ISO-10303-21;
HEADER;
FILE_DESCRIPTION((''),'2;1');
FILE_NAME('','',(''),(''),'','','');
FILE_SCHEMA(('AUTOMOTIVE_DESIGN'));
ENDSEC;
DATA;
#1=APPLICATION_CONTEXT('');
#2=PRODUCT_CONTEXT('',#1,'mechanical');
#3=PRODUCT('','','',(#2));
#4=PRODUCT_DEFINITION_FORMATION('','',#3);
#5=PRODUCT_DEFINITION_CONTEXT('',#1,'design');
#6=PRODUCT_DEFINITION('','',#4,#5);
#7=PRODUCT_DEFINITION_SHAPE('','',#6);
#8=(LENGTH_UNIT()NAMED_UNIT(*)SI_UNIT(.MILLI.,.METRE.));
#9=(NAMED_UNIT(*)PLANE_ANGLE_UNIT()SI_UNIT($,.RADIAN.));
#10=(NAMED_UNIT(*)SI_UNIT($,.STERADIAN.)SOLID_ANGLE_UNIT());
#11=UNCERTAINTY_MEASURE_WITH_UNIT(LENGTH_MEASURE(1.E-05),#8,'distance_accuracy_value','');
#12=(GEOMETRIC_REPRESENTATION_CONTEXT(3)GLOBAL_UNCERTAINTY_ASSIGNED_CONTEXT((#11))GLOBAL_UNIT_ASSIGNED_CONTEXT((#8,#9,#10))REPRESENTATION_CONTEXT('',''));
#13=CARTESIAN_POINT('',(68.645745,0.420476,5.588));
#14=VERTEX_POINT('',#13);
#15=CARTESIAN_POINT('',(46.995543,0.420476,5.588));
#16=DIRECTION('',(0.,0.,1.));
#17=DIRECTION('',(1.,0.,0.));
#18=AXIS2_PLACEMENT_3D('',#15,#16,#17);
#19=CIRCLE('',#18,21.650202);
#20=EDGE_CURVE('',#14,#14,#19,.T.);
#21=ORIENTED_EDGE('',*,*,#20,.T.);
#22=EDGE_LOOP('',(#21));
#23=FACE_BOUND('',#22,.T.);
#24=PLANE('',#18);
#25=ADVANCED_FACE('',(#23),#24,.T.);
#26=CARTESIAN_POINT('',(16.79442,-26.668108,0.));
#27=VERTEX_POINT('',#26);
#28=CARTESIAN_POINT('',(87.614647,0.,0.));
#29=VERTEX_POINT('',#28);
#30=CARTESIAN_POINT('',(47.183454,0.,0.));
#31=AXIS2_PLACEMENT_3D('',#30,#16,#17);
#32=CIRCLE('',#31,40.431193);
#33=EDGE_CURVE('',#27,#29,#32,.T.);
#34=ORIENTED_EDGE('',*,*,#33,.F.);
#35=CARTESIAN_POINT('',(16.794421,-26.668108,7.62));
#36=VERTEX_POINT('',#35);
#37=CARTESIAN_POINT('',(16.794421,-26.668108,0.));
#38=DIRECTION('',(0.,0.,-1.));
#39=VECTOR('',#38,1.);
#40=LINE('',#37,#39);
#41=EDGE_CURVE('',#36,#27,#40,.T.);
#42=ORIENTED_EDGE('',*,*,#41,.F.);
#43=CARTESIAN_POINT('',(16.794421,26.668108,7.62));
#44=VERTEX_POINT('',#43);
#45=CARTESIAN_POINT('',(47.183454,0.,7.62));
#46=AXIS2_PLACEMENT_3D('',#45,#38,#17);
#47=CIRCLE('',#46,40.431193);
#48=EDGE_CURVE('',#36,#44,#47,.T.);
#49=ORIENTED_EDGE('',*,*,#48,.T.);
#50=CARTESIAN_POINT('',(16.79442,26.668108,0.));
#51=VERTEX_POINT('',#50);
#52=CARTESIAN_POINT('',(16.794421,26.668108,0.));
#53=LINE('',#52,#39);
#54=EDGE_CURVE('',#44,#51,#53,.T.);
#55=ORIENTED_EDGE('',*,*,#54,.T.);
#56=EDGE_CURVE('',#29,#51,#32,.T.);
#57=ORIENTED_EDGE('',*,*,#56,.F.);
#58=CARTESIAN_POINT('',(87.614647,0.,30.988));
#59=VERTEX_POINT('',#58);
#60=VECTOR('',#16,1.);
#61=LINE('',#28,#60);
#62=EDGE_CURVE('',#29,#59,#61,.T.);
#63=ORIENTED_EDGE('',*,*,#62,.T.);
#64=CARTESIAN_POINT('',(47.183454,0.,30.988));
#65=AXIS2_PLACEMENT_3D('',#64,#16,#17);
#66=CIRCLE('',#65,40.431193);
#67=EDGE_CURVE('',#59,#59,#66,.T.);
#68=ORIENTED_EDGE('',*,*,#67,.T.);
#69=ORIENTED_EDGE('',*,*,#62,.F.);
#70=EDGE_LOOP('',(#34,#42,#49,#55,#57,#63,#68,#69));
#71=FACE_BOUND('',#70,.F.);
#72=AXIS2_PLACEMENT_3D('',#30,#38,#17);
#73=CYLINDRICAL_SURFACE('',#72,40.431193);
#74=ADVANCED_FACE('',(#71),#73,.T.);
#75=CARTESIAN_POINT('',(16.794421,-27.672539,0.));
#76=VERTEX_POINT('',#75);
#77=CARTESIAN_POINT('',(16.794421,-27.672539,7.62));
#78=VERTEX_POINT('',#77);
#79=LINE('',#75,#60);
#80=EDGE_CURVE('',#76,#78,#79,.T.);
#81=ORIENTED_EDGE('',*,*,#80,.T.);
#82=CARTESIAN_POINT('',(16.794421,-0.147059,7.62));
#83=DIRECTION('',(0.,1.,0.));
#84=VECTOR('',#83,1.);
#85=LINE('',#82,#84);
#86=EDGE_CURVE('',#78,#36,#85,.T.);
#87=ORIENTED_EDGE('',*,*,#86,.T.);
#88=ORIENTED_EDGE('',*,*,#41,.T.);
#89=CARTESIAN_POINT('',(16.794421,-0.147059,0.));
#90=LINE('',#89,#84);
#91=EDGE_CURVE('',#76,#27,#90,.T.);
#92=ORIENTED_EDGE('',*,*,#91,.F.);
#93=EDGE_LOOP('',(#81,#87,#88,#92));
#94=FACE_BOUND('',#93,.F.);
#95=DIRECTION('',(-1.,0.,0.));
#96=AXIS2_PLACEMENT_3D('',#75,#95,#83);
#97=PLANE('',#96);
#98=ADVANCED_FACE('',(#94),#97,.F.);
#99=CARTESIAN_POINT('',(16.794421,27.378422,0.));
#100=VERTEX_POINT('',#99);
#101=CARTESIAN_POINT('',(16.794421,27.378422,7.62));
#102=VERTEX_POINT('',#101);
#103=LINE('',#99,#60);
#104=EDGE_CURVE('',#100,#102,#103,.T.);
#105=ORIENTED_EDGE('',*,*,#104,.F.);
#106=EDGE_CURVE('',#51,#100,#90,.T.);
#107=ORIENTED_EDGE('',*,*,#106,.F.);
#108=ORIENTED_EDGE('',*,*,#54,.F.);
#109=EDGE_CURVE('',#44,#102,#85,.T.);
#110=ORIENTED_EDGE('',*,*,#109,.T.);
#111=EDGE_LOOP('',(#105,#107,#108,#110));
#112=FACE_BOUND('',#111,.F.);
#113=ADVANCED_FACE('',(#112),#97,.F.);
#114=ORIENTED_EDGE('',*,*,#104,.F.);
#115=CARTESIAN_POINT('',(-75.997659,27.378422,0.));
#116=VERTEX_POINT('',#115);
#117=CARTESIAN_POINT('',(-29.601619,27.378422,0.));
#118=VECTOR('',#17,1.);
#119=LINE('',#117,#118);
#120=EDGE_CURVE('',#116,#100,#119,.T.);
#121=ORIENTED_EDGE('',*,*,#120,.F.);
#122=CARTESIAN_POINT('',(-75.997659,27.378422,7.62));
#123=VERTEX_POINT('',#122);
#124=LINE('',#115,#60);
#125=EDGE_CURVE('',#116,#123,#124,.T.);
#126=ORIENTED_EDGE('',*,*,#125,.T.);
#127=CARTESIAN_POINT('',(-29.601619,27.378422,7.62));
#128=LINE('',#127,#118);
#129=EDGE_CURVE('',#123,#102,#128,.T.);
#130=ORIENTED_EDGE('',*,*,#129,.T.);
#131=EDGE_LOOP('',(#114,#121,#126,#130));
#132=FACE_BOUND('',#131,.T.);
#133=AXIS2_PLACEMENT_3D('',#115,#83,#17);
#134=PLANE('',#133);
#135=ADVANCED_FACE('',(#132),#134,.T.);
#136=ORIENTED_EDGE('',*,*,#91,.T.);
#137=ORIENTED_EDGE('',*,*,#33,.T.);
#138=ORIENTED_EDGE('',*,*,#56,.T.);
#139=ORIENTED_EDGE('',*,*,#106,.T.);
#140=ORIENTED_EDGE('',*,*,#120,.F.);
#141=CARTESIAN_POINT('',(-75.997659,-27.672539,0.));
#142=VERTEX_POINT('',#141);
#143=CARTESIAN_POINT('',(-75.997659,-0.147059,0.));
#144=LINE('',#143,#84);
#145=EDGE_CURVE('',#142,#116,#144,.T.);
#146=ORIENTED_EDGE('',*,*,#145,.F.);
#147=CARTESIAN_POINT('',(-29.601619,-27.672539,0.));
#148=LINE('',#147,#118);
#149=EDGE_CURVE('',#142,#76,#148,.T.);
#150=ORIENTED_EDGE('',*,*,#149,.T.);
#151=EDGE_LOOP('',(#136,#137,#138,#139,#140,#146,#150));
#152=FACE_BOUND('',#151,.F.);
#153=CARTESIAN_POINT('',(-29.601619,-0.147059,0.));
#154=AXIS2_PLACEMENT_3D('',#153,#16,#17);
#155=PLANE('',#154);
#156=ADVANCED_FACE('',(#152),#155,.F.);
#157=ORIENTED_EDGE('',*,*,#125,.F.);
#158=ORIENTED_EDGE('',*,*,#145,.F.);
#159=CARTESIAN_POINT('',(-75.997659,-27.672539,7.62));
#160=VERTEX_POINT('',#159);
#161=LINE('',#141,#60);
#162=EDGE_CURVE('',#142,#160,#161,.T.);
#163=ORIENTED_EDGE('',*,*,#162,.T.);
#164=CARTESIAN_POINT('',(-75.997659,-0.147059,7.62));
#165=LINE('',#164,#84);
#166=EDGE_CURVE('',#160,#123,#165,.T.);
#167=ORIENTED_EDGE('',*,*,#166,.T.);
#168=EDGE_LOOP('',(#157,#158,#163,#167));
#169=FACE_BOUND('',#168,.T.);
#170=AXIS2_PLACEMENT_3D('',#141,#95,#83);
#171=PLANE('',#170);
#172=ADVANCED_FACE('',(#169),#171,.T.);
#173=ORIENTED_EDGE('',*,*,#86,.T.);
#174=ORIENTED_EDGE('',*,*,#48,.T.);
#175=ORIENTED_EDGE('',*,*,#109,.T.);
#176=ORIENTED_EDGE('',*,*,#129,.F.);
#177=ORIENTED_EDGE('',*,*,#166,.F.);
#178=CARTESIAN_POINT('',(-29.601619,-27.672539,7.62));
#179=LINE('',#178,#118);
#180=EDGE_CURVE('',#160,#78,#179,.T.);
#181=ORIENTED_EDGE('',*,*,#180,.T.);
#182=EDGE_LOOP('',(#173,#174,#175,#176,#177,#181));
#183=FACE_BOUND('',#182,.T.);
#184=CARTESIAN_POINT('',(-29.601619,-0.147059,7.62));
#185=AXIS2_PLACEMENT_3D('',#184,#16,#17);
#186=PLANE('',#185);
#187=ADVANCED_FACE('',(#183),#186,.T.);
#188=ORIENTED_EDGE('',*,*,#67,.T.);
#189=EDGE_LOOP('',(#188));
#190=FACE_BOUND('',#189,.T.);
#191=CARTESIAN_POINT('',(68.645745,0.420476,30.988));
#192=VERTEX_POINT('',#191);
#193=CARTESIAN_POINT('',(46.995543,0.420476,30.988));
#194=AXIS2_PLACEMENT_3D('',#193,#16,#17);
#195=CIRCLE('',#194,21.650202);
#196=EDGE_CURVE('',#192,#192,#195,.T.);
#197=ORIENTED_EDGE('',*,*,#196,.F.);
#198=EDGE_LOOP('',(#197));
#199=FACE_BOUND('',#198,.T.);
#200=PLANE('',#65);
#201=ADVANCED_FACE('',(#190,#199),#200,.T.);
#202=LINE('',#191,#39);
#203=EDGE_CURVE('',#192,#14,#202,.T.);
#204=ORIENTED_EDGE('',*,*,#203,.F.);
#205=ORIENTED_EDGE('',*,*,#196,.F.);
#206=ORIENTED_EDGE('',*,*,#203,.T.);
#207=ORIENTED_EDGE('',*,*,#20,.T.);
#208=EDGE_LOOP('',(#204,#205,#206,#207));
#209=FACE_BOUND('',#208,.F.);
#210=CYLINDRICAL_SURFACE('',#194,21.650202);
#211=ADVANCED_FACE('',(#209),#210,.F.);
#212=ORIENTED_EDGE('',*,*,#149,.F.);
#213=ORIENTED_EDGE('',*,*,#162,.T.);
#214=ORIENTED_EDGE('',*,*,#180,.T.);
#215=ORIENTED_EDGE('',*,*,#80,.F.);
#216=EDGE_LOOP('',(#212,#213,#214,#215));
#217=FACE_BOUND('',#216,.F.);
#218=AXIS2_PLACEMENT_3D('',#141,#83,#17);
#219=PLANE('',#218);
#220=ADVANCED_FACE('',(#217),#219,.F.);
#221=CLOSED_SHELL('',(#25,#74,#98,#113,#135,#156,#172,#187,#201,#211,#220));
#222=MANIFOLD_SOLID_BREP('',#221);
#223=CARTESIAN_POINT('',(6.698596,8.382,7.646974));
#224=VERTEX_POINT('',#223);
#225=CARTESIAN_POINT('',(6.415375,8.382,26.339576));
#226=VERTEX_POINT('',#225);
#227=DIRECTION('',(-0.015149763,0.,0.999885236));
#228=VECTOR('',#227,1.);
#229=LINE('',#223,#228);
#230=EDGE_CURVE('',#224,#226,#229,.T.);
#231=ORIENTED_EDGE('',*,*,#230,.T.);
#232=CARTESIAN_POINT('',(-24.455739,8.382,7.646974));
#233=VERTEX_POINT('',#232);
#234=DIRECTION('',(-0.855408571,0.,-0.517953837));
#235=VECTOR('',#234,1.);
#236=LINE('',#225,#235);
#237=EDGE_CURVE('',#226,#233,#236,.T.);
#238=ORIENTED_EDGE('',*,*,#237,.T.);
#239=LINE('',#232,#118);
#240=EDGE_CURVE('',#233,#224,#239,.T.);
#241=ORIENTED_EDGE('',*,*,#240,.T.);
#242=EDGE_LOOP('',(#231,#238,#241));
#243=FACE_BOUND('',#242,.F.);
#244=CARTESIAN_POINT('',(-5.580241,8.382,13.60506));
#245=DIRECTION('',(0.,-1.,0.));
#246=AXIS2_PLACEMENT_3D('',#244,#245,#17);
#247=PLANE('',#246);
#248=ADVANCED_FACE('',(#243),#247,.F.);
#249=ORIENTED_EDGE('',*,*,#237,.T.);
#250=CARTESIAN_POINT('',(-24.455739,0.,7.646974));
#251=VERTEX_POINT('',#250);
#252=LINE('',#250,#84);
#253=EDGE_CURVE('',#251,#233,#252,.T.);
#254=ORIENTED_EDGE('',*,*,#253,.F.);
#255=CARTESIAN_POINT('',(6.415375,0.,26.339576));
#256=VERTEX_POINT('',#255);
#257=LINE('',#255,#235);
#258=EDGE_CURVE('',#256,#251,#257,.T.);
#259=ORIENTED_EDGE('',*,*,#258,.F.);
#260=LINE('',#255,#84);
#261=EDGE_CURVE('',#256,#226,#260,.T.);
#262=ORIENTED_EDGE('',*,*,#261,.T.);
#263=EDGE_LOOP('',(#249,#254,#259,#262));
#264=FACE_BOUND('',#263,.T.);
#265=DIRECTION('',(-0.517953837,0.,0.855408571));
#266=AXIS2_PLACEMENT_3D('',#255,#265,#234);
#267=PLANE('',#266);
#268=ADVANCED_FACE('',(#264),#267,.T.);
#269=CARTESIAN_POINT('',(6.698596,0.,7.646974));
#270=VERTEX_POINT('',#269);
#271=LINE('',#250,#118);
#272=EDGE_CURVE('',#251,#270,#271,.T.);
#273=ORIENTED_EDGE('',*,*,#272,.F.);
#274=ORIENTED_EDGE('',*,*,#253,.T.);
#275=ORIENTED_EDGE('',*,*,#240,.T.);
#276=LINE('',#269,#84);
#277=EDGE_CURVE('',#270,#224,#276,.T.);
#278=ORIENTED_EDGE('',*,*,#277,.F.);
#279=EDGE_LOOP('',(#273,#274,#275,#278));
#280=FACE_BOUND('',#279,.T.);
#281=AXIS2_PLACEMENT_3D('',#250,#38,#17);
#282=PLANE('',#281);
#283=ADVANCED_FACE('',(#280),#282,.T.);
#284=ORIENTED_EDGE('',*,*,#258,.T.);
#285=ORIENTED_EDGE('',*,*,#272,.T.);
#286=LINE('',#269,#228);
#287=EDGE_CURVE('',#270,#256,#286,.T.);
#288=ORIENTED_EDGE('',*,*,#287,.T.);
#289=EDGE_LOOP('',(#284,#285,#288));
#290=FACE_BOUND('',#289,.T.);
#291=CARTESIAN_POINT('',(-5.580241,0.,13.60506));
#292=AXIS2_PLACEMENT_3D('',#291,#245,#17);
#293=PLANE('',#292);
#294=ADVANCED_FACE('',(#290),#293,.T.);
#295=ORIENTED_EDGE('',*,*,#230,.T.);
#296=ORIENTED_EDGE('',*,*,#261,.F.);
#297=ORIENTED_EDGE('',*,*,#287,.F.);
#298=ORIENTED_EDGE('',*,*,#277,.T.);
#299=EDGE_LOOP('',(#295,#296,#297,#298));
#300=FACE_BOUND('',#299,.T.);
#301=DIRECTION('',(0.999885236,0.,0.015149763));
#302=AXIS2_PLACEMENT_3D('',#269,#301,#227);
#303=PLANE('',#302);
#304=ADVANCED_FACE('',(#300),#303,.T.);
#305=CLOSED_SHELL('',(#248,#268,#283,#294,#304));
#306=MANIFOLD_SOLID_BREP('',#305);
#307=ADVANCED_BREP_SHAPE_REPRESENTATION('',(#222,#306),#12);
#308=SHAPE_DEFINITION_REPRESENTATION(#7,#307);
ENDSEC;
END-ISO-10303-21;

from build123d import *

# Parameters (mm, degrees)
F0_R     = 40.431193
F1_DEPTH = 30.988
F2_W     = 92.792079
F2_H     = 55.050961
F3_DEPTH = 7.62
F4_R     = 21.650202
F5_DEPTH = 25.4
F7_DEPTH = 8.382


with BuildPart() as f1:
    # F0 (on Top) → F1 (new body)
    with BuildSketch(Plane.XY):
        with Locations((47.183454, 0)):
            Circle(F0_R)
    extrude(amount=F1_DEPTH)

    # F2 (on Top) → F3 (join)
    with BuildSketch(Plane.XY):
        with Locations((-29.601619, -0.147059)):
            Rectangle(F2_W, F2_H)
    extrude(amount=F3_DEPTH)

    # F4 (on face) → F5 (cut)
    with BuildSketch(Plane.XY.offset(30.988)):
        with Locations((46.995543, 0.420476)):
            Circle(F4_R)
    extrude(amount=-F5_DEPTH, mode=Mode.SUBTRACT)


with BuildPart() as f7:
    # F6 (on Front) → F7 (new body)
    with BuildSketch(Plane.XZ):
        Polygon((6.698596, 7.646974), (6.415375, 26.339576), (-24.455739, 7.646974), align=None)
    extrude(amount=-F7_DEPTH)


solid = Compound([f1.part, f7.part])
